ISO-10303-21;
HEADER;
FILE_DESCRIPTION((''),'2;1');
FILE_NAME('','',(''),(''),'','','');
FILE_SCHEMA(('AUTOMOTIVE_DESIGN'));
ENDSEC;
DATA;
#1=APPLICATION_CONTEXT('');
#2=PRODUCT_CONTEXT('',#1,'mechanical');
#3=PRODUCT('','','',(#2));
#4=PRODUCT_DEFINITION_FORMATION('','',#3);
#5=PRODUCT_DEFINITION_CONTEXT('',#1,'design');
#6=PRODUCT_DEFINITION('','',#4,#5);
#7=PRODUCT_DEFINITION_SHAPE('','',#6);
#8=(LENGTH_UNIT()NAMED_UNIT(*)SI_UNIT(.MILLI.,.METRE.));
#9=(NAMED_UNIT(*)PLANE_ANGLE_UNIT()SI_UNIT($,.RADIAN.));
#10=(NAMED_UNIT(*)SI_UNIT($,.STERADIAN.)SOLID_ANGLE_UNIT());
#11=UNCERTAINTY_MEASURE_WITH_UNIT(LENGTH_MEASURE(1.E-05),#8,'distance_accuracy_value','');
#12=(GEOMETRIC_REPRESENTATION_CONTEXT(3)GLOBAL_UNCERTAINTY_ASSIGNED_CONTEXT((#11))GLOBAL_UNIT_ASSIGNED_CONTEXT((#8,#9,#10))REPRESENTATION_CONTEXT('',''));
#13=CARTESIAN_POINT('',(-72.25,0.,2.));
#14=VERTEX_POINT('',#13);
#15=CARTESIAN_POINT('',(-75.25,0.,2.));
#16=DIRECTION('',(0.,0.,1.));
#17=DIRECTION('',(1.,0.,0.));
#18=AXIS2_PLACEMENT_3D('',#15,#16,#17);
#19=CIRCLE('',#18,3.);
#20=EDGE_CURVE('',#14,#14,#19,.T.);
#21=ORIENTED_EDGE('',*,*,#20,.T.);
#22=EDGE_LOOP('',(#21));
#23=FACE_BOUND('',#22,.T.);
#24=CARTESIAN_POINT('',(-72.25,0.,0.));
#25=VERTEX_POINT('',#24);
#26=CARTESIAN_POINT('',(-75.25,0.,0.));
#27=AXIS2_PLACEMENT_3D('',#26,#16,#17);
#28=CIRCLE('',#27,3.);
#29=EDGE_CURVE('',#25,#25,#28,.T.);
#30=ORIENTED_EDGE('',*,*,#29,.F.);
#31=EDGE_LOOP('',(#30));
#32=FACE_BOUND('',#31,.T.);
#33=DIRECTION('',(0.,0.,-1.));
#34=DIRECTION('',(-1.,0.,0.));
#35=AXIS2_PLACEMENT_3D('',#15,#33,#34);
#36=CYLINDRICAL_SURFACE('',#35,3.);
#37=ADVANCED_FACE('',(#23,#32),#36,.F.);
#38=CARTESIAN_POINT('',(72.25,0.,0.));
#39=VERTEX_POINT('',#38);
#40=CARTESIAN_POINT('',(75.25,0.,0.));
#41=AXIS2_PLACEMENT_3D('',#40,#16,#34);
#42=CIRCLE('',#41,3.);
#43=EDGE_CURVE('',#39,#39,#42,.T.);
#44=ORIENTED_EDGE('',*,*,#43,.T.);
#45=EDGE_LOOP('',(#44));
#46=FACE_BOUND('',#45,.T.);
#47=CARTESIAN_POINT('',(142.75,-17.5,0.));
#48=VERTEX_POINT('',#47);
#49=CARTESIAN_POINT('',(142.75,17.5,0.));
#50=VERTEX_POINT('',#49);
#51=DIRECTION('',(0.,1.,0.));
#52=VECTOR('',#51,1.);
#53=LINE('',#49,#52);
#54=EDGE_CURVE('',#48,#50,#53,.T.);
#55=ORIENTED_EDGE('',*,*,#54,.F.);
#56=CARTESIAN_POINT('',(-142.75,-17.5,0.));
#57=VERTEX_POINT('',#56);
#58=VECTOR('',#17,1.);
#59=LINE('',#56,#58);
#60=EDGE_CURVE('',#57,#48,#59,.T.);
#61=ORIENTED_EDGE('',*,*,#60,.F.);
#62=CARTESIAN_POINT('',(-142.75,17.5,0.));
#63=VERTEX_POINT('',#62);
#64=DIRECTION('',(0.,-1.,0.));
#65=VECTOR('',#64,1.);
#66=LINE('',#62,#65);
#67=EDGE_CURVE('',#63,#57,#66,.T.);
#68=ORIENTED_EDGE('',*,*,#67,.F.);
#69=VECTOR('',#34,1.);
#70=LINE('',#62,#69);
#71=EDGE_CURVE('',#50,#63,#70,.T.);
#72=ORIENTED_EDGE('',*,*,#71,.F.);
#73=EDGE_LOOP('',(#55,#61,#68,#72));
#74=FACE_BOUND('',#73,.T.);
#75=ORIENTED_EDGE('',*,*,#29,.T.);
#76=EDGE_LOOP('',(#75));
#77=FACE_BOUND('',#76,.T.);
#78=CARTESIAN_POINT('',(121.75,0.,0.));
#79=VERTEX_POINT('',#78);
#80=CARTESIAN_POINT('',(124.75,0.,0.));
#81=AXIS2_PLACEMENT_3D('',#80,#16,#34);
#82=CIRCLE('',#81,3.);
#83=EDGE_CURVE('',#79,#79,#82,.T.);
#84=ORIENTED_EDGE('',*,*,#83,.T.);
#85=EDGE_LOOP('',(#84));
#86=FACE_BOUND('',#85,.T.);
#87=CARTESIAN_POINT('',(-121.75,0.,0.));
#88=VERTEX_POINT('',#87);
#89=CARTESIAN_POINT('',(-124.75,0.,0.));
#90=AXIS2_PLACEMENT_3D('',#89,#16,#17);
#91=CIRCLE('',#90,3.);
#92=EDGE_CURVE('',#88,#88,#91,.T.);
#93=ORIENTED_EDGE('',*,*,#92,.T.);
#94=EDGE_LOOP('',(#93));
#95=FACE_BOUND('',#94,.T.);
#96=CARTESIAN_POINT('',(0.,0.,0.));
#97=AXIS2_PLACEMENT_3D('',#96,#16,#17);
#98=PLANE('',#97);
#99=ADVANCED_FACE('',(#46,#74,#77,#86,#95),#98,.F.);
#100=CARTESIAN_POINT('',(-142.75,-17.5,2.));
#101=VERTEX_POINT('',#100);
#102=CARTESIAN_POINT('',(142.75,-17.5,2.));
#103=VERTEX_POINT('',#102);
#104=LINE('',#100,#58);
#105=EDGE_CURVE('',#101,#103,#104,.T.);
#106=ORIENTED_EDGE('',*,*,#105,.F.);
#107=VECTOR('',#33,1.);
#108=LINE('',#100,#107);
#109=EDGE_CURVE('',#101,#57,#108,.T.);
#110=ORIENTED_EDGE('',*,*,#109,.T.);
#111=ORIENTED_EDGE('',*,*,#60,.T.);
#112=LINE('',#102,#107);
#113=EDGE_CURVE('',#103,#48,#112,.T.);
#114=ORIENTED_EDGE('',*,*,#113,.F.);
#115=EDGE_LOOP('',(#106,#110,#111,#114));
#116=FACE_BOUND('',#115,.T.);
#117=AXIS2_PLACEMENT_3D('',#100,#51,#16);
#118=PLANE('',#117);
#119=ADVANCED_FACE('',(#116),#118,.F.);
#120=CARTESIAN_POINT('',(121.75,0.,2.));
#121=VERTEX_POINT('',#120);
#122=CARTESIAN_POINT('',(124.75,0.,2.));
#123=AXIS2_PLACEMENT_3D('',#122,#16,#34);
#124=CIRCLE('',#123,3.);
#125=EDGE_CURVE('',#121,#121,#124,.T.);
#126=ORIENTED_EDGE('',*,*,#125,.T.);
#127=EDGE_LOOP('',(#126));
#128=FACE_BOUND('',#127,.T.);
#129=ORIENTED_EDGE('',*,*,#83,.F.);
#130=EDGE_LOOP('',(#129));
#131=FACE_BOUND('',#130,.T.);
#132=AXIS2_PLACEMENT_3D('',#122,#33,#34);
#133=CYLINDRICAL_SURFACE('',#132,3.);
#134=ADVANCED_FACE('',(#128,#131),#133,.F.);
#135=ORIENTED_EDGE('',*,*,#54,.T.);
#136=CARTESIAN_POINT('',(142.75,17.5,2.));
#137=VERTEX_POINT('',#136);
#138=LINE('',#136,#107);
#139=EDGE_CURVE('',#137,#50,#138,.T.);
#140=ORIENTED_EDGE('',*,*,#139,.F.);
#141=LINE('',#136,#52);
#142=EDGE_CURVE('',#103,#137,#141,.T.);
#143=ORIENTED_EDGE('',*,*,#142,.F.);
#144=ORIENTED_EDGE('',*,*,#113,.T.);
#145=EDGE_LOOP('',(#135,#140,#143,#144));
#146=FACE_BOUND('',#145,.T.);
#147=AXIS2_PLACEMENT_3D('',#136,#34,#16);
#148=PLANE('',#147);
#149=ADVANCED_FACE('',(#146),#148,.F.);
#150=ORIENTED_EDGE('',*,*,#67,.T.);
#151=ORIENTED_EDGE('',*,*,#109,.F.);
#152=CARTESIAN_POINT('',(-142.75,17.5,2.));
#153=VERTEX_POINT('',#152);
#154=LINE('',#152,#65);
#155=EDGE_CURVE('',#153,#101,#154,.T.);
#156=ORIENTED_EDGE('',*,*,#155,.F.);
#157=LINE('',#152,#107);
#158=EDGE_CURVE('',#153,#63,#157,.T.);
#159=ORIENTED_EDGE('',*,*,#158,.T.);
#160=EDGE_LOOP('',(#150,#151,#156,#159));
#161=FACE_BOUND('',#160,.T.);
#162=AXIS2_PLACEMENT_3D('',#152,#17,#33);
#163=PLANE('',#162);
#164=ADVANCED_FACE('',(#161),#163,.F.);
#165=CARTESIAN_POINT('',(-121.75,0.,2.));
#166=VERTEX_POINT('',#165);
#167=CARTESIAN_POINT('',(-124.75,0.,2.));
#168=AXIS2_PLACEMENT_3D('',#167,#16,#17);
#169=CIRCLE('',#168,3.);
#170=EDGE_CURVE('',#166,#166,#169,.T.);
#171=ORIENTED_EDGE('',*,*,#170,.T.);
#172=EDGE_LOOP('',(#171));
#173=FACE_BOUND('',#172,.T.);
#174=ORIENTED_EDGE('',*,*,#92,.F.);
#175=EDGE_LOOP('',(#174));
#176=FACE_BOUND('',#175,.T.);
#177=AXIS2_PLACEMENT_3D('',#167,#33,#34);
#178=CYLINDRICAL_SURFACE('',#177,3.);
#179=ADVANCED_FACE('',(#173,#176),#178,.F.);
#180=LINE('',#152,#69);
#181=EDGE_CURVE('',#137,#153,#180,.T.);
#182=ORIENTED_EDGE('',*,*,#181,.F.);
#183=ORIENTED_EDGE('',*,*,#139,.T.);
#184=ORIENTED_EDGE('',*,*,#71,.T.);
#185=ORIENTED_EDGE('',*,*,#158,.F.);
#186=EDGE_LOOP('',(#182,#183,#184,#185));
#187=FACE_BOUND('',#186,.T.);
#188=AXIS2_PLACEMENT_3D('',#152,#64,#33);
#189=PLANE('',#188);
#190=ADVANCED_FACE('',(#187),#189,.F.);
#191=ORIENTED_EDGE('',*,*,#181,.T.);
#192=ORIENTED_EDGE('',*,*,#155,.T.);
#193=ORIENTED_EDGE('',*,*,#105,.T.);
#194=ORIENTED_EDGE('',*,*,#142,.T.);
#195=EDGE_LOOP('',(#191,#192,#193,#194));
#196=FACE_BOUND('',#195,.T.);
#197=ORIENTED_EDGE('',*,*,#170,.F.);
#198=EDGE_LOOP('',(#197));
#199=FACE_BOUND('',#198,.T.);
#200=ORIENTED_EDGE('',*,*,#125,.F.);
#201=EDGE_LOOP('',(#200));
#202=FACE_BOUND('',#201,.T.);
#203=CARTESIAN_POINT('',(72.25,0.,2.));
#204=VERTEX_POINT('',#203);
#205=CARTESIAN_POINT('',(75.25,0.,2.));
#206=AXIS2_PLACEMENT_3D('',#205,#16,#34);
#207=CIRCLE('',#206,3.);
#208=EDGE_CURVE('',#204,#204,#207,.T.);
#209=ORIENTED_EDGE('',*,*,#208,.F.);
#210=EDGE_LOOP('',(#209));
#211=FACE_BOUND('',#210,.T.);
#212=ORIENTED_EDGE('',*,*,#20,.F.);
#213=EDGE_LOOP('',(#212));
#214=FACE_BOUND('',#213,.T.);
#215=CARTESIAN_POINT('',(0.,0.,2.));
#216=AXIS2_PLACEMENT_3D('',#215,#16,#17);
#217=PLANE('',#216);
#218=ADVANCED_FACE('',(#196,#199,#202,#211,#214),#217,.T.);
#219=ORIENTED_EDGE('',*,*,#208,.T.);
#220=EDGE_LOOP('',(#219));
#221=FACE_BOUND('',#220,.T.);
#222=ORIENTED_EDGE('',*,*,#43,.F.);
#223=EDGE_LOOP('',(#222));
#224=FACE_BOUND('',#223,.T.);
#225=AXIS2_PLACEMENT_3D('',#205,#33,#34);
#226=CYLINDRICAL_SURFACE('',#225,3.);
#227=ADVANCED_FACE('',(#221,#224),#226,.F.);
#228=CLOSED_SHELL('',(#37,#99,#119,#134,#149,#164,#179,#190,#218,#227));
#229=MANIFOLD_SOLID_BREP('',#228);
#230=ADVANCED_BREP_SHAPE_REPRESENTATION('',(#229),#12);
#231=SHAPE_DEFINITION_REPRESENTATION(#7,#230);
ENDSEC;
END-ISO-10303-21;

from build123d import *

# Parameters (mm, degrees)
SKETCH1_W           = 285.5
SKETCH1_H           = 35
SKETCH1_R           = 3
BOSS_EXTRUDE1_DEPTH = 2


with BuildPart() as part:
    # Sketch1 → Boss-Extrude1 (new body)
    with BuildSketch(Plane.XY):
        Rectangle(SKETCH1_W, SKETCH1_H)
        with Locations((-124.75, 0)):
            Circle(SKETCH1_R, mode=Mode.SUBTRACT)
        with Locations((-75.25, 0)):
            Circle(SKETCH1_R, mode=Mode.SUBTRACT)
        with Locations((75.25, 0)):
            Circle(SKETCH1_R, mode=Mode.SUBTRACT)
        with Locations((124.75, 0)):
            Circle(SKETCH1_R, mode=Mode.SUBTRACT)
    extrude(amount=BOSS_EXTRUDE1_DEPTH)


solid = part.part
